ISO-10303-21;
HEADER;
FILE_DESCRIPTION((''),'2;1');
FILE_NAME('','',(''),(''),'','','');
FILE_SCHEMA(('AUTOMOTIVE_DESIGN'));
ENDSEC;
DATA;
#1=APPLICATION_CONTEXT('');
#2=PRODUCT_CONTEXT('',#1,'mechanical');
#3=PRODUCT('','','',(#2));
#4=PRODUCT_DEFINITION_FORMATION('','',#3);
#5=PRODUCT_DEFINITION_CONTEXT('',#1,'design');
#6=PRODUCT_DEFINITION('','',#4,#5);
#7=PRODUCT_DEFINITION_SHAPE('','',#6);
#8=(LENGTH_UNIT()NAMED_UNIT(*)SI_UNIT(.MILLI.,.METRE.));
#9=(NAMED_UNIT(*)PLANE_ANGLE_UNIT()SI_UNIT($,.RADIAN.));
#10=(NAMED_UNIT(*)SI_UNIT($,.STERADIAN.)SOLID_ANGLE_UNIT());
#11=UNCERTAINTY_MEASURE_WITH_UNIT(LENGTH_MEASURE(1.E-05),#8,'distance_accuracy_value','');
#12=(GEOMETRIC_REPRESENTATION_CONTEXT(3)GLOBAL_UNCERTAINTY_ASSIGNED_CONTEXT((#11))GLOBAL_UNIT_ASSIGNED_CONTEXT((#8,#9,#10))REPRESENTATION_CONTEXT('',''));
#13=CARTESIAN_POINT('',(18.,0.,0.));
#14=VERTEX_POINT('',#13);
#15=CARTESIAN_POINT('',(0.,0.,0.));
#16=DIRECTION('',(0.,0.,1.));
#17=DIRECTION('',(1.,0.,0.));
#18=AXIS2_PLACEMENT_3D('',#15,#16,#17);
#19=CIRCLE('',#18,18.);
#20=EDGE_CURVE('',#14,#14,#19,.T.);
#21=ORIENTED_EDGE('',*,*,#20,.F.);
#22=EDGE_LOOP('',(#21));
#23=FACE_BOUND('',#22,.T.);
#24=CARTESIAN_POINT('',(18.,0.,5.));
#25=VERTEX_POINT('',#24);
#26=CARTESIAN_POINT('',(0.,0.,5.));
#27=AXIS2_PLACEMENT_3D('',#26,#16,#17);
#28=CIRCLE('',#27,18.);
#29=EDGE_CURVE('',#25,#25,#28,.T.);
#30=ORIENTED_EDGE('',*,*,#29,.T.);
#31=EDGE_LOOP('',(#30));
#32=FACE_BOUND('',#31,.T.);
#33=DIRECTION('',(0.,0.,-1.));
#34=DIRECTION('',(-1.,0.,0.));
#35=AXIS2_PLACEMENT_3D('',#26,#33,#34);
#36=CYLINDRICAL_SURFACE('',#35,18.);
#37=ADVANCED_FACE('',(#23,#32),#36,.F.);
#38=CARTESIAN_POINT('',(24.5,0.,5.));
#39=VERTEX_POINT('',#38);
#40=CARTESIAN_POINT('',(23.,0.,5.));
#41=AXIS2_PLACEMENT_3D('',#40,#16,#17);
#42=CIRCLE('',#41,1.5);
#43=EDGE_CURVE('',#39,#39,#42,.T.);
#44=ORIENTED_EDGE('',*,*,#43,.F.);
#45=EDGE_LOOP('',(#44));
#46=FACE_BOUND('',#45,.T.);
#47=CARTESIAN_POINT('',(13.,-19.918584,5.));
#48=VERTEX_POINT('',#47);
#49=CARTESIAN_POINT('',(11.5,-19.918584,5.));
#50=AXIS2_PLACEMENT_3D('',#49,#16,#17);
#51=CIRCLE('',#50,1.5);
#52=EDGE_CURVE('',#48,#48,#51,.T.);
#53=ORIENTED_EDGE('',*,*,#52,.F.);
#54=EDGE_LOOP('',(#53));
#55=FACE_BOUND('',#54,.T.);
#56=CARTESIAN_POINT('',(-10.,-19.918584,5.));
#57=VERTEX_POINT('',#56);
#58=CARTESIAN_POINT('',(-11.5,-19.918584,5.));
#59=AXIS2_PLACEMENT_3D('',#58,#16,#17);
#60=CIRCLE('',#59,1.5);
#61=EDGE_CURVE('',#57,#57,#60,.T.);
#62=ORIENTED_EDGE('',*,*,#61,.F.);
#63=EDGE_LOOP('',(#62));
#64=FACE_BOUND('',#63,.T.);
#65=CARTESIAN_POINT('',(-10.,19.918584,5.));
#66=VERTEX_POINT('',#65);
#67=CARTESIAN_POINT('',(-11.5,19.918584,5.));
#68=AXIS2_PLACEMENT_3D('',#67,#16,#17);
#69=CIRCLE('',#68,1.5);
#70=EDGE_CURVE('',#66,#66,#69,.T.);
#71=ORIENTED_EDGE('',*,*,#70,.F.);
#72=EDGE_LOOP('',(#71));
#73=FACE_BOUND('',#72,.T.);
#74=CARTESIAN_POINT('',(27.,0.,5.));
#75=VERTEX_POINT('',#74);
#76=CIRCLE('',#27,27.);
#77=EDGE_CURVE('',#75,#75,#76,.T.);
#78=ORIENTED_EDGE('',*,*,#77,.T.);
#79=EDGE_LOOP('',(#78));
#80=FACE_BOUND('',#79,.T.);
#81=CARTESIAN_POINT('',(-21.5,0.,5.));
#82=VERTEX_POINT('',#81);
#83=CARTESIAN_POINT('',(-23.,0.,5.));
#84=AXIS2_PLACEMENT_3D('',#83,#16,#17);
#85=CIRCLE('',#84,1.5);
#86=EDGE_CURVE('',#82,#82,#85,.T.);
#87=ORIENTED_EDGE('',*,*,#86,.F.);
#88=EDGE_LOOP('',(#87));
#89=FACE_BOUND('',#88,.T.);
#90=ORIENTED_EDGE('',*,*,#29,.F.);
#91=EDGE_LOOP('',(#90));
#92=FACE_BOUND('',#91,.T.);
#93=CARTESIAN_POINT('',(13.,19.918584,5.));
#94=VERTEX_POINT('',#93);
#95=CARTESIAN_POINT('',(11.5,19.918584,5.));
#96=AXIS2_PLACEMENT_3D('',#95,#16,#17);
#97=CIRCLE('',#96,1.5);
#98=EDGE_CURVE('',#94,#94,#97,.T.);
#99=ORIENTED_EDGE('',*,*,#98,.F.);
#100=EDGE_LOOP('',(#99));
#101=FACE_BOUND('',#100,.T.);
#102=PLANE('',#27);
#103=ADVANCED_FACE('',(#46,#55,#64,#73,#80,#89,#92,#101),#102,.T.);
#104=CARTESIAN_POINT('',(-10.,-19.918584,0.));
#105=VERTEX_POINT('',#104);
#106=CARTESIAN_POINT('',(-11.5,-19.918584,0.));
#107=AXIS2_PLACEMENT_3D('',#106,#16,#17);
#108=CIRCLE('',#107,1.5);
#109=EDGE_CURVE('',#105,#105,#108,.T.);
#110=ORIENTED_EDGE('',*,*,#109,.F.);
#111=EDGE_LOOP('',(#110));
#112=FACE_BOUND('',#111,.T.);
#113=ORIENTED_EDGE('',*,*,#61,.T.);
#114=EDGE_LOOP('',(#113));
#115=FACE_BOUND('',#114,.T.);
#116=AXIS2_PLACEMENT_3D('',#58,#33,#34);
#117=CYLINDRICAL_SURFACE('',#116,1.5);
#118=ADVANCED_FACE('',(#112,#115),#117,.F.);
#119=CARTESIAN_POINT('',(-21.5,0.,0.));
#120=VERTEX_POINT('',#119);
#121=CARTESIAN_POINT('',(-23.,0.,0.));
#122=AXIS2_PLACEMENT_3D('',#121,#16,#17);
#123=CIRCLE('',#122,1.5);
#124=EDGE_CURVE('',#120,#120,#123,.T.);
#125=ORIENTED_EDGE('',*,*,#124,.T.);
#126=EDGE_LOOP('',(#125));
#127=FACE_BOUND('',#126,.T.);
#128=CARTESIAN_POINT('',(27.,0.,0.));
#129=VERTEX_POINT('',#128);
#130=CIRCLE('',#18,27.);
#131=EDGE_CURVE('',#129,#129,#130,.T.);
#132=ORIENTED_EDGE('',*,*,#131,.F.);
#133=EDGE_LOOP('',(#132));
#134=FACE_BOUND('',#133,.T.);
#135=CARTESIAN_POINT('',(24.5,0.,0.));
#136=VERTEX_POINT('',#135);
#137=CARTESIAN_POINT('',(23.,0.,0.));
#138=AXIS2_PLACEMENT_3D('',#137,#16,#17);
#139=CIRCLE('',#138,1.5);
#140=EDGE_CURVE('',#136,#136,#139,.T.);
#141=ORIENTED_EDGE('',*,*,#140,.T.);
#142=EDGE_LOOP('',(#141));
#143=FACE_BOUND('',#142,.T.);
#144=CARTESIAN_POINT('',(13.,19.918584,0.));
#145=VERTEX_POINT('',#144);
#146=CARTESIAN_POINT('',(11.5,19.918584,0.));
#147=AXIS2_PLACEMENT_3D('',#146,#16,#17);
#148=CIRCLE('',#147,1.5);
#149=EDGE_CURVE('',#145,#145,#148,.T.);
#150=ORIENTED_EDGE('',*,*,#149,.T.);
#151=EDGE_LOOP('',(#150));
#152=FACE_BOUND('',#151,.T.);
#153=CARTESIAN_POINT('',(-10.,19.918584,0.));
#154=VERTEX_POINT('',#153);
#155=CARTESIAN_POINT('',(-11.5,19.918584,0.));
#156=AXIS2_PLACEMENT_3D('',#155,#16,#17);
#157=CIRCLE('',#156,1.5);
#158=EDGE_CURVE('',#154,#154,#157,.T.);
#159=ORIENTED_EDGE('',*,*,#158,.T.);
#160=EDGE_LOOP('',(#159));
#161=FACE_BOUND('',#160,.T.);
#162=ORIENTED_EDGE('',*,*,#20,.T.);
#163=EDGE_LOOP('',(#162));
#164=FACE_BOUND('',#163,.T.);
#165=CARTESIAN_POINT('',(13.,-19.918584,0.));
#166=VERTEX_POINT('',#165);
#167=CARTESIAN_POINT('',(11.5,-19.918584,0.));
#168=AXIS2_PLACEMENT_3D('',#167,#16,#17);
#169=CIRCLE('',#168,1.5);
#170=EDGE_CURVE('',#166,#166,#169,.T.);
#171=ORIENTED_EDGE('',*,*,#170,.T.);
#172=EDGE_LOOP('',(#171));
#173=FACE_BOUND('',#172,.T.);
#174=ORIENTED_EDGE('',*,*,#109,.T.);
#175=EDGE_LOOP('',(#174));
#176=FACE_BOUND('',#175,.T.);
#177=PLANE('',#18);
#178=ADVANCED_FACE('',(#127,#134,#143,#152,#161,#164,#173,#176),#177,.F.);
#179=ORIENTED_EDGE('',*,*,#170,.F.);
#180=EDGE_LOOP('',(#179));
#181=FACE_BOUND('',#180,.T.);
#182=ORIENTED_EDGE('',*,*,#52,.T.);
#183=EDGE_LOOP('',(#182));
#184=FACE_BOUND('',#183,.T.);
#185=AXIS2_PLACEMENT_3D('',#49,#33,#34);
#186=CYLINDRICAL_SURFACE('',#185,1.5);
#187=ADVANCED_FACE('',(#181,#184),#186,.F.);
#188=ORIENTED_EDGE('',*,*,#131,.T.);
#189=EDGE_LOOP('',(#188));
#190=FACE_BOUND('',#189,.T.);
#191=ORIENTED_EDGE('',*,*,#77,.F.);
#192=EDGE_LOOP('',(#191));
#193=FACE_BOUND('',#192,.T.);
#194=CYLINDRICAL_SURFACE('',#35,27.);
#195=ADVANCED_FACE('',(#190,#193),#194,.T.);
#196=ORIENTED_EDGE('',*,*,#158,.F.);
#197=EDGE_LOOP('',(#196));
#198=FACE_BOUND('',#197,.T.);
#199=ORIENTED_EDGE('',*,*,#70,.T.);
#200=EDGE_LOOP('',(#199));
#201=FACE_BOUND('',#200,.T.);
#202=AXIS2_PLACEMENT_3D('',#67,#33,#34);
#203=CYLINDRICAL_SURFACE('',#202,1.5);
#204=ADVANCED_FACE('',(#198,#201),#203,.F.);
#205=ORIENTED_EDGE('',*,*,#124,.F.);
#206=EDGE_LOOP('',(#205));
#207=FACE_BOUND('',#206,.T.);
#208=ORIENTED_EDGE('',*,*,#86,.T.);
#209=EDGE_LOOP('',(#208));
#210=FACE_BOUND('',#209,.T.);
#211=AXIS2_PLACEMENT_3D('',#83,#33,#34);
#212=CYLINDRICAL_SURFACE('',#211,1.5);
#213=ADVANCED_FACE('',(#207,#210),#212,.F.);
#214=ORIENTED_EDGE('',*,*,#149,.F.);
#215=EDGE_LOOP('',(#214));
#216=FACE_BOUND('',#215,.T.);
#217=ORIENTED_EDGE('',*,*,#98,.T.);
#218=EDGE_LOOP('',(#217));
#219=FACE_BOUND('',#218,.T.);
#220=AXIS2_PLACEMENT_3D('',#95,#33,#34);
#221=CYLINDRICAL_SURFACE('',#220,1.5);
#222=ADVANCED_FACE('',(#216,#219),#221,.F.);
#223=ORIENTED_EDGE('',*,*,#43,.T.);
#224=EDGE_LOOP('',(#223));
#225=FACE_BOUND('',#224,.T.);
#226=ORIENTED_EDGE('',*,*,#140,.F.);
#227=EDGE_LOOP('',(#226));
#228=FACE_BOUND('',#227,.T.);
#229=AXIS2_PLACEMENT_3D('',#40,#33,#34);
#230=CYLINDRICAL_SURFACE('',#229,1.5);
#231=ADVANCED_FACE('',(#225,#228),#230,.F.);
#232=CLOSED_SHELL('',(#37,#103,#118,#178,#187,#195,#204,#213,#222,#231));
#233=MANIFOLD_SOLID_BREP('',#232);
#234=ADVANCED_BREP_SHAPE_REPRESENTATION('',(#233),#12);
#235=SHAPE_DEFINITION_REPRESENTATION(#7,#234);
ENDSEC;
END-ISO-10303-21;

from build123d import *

# Parameters (mm, degrees)
SKETCH1_R           = 27
SKETCH1_R_2         = 18
SKETCH1_R_3         = 1.5
BOSS_EXTRUDE1_DEPTH = 5


with BuildPart() as part:
    # Sketch1 → Boss-Extrude1 (new body)
    with BuildSketch(Plane.XY):
        Circle(SKETCH1_R)
        Circle(SKETCH1_R_2, mode=Mode.SUBTRACT)
        with Locations((-11.5, 19.918584287)):
            Circle(SKETCH1_R_3, mode=Mode.SUBTRACT)
        with Locations((-23, 0)):
            Circle(SKETCH1_R_3, mode=Mode.SUBTRACT)
        with Locations((-11.5, -19.918584287)):
            Circle(SKETCH1_R_3, mode=Mode.SUBTRACT)
        with Locations((11.5, -19.918584287)):
            Circle(SKETCH1_R_3, mode=Mode.SUBTRACT)
        with Locations((23, 0)):
            Circle(SKETCH1_R_3, mode=Mode.SUBTRACT)
        with Locations((11.5, 19.918584287)):
            Circle(SKETCH1_R_3, mode=Mode.SUBTRACT)
    extrude(amount=BOSS_EXTRUDE1_DEPTH)


solid = part.part
